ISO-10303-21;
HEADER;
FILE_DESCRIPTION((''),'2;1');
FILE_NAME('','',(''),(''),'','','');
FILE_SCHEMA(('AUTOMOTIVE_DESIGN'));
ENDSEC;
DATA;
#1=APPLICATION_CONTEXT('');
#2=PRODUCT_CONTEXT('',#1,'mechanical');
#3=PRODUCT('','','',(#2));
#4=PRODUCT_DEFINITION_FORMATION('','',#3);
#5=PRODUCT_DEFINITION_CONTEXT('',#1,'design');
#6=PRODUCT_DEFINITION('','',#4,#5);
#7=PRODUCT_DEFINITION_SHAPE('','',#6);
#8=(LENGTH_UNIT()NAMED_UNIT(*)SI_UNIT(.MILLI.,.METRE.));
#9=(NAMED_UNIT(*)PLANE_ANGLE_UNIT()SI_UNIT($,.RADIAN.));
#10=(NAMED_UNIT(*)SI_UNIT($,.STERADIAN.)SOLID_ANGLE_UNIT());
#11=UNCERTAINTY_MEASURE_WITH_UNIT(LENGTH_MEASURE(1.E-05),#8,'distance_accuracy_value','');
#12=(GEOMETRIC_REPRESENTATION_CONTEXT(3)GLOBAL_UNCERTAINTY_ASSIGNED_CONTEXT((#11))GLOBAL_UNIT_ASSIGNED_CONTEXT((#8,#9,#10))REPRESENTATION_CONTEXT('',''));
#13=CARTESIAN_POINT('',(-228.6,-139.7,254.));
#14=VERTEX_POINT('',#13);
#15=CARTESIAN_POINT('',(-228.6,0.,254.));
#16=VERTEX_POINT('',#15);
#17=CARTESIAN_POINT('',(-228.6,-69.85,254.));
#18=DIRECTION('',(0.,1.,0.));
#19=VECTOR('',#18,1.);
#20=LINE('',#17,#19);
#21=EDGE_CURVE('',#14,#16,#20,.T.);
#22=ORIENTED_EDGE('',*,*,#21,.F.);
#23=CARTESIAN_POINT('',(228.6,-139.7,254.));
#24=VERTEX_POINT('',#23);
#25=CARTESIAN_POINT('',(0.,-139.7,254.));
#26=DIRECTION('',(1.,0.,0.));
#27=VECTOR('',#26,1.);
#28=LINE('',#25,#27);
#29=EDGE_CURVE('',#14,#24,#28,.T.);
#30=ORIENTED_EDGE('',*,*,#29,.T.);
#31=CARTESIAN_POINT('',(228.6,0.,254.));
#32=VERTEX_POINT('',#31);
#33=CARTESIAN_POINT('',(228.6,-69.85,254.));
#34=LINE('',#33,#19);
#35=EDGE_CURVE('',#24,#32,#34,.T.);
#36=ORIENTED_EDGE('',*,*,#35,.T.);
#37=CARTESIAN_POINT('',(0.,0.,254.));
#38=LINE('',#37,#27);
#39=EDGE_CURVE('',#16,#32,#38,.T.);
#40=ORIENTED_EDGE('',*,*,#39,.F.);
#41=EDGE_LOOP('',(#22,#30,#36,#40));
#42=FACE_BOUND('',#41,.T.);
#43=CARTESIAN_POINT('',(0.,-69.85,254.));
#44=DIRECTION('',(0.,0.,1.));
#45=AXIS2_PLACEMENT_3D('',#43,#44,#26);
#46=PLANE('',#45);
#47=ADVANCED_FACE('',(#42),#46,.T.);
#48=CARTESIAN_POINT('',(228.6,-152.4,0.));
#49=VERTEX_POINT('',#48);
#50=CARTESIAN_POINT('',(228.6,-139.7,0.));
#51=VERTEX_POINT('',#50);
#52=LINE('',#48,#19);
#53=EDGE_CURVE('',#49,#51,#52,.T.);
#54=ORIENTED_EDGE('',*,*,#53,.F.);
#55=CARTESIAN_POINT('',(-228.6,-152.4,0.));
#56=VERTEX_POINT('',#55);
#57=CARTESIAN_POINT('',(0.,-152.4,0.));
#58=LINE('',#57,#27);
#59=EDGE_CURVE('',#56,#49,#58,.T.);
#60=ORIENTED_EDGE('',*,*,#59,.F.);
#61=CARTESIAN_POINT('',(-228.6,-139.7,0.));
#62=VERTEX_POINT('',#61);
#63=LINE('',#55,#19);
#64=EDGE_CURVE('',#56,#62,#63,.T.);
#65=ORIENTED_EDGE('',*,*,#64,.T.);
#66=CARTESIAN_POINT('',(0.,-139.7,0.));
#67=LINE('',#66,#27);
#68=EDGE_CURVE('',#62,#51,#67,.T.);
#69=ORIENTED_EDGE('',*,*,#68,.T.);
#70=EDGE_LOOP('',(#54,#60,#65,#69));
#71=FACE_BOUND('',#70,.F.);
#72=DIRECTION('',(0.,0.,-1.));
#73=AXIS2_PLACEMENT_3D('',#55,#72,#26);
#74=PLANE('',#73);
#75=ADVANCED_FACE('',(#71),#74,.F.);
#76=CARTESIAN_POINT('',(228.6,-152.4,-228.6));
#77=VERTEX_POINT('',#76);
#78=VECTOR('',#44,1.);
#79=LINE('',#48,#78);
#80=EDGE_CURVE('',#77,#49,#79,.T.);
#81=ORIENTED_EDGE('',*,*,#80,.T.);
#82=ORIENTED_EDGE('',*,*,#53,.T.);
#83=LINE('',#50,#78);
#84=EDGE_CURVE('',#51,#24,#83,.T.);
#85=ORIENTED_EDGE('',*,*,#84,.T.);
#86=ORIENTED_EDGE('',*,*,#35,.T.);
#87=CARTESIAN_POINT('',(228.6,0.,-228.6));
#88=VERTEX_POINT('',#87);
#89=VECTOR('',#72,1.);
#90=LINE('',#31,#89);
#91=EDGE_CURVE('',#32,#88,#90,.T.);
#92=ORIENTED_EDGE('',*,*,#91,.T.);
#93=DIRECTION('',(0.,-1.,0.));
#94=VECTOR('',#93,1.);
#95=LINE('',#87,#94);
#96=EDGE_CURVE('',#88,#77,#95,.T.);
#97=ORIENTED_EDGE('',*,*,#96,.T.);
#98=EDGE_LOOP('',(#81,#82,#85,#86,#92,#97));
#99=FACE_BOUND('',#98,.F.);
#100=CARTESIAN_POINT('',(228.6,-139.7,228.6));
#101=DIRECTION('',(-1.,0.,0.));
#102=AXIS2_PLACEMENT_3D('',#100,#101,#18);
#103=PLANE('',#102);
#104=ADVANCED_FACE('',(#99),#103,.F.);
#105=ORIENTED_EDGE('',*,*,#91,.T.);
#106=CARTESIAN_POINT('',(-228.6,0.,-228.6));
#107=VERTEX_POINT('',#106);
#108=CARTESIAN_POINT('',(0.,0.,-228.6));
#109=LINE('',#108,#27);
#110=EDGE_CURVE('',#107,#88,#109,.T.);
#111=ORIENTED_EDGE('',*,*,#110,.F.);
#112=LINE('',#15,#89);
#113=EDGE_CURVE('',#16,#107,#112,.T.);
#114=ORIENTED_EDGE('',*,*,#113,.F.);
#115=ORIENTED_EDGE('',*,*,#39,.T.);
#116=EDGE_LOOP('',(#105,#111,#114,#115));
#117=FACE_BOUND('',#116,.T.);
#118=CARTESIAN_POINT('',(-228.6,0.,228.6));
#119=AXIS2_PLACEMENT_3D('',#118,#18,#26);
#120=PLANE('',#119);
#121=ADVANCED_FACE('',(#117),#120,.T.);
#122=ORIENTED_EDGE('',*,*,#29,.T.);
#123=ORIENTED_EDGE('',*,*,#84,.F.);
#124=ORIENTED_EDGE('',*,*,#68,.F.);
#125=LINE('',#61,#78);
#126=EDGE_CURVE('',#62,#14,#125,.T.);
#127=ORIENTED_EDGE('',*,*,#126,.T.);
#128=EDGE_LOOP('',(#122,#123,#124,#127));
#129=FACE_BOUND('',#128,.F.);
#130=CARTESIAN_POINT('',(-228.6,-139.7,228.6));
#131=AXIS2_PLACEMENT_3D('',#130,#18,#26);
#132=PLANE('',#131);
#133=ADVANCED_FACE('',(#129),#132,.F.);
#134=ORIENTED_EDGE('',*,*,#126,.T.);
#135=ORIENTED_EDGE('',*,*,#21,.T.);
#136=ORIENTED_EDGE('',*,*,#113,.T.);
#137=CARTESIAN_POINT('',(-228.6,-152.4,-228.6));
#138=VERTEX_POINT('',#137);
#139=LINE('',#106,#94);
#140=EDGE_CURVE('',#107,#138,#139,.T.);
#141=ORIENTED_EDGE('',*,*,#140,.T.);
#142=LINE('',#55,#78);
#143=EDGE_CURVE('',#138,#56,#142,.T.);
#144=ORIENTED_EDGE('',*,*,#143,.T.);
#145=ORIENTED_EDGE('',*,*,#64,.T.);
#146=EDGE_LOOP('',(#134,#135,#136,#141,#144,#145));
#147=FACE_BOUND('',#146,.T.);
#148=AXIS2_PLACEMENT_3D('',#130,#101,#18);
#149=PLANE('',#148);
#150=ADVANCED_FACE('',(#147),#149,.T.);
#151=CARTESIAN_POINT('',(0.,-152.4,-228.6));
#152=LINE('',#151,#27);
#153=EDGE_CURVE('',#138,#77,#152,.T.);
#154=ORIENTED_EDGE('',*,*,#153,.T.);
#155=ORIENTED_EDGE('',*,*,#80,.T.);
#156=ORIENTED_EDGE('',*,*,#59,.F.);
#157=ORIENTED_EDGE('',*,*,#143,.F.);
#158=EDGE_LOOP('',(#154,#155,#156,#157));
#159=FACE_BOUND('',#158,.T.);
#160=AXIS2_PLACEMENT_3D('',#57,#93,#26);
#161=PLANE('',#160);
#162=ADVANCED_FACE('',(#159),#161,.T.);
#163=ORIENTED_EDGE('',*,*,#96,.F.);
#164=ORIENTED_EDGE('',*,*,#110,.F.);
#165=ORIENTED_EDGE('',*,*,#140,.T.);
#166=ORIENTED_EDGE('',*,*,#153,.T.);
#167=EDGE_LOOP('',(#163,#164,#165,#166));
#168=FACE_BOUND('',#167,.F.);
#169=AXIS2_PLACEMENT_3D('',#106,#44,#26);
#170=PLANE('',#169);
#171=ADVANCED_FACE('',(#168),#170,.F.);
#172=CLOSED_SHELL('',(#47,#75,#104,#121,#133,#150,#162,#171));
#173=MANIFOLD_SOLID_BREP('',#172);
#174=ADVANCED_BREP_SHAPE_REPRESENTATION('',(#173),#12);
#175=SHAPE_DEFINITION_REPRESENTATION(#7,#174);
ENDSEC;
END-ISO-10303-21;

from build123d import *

# Parameters (mm, degrees)
F0_W     = 457.2
F0_H     = 457.2
F1_DEPTH = 152.4
F2_W     = 457.2
F2_H     = 228.6
F3_DEPTH = 12.7
F4_W     = 457.2
F4_H     = 139.7
F5_DEPTH = 25.4


with BuildPart() as f1:
    # F0 (on Front) → F1 (new body)
    with BuildSketch(Plane.XZ):
        Rectangle(F0_W, F0_H)
    extrude(amount=F1_DEPTH)

    # F2 (on face) → F3 (cut)
    with BuildSketch(Plane.XZ.offset(152.4)):
        with Locations((0, 114.3)):
            Rectangle(F2_W, F2_H)
    extrude(amount=-F3_DEPTH, mode=Mode.SUBTRACT)

    # F4 (on face) → F5 (join)
    with BuildSketch(Plane.XY.offset(228.6)):
        with Locations((0, -69.85)):
            Rectangle(F4_W, F4_H)
    extrude(amount=F5_DEPTH)


solid = f1.part
